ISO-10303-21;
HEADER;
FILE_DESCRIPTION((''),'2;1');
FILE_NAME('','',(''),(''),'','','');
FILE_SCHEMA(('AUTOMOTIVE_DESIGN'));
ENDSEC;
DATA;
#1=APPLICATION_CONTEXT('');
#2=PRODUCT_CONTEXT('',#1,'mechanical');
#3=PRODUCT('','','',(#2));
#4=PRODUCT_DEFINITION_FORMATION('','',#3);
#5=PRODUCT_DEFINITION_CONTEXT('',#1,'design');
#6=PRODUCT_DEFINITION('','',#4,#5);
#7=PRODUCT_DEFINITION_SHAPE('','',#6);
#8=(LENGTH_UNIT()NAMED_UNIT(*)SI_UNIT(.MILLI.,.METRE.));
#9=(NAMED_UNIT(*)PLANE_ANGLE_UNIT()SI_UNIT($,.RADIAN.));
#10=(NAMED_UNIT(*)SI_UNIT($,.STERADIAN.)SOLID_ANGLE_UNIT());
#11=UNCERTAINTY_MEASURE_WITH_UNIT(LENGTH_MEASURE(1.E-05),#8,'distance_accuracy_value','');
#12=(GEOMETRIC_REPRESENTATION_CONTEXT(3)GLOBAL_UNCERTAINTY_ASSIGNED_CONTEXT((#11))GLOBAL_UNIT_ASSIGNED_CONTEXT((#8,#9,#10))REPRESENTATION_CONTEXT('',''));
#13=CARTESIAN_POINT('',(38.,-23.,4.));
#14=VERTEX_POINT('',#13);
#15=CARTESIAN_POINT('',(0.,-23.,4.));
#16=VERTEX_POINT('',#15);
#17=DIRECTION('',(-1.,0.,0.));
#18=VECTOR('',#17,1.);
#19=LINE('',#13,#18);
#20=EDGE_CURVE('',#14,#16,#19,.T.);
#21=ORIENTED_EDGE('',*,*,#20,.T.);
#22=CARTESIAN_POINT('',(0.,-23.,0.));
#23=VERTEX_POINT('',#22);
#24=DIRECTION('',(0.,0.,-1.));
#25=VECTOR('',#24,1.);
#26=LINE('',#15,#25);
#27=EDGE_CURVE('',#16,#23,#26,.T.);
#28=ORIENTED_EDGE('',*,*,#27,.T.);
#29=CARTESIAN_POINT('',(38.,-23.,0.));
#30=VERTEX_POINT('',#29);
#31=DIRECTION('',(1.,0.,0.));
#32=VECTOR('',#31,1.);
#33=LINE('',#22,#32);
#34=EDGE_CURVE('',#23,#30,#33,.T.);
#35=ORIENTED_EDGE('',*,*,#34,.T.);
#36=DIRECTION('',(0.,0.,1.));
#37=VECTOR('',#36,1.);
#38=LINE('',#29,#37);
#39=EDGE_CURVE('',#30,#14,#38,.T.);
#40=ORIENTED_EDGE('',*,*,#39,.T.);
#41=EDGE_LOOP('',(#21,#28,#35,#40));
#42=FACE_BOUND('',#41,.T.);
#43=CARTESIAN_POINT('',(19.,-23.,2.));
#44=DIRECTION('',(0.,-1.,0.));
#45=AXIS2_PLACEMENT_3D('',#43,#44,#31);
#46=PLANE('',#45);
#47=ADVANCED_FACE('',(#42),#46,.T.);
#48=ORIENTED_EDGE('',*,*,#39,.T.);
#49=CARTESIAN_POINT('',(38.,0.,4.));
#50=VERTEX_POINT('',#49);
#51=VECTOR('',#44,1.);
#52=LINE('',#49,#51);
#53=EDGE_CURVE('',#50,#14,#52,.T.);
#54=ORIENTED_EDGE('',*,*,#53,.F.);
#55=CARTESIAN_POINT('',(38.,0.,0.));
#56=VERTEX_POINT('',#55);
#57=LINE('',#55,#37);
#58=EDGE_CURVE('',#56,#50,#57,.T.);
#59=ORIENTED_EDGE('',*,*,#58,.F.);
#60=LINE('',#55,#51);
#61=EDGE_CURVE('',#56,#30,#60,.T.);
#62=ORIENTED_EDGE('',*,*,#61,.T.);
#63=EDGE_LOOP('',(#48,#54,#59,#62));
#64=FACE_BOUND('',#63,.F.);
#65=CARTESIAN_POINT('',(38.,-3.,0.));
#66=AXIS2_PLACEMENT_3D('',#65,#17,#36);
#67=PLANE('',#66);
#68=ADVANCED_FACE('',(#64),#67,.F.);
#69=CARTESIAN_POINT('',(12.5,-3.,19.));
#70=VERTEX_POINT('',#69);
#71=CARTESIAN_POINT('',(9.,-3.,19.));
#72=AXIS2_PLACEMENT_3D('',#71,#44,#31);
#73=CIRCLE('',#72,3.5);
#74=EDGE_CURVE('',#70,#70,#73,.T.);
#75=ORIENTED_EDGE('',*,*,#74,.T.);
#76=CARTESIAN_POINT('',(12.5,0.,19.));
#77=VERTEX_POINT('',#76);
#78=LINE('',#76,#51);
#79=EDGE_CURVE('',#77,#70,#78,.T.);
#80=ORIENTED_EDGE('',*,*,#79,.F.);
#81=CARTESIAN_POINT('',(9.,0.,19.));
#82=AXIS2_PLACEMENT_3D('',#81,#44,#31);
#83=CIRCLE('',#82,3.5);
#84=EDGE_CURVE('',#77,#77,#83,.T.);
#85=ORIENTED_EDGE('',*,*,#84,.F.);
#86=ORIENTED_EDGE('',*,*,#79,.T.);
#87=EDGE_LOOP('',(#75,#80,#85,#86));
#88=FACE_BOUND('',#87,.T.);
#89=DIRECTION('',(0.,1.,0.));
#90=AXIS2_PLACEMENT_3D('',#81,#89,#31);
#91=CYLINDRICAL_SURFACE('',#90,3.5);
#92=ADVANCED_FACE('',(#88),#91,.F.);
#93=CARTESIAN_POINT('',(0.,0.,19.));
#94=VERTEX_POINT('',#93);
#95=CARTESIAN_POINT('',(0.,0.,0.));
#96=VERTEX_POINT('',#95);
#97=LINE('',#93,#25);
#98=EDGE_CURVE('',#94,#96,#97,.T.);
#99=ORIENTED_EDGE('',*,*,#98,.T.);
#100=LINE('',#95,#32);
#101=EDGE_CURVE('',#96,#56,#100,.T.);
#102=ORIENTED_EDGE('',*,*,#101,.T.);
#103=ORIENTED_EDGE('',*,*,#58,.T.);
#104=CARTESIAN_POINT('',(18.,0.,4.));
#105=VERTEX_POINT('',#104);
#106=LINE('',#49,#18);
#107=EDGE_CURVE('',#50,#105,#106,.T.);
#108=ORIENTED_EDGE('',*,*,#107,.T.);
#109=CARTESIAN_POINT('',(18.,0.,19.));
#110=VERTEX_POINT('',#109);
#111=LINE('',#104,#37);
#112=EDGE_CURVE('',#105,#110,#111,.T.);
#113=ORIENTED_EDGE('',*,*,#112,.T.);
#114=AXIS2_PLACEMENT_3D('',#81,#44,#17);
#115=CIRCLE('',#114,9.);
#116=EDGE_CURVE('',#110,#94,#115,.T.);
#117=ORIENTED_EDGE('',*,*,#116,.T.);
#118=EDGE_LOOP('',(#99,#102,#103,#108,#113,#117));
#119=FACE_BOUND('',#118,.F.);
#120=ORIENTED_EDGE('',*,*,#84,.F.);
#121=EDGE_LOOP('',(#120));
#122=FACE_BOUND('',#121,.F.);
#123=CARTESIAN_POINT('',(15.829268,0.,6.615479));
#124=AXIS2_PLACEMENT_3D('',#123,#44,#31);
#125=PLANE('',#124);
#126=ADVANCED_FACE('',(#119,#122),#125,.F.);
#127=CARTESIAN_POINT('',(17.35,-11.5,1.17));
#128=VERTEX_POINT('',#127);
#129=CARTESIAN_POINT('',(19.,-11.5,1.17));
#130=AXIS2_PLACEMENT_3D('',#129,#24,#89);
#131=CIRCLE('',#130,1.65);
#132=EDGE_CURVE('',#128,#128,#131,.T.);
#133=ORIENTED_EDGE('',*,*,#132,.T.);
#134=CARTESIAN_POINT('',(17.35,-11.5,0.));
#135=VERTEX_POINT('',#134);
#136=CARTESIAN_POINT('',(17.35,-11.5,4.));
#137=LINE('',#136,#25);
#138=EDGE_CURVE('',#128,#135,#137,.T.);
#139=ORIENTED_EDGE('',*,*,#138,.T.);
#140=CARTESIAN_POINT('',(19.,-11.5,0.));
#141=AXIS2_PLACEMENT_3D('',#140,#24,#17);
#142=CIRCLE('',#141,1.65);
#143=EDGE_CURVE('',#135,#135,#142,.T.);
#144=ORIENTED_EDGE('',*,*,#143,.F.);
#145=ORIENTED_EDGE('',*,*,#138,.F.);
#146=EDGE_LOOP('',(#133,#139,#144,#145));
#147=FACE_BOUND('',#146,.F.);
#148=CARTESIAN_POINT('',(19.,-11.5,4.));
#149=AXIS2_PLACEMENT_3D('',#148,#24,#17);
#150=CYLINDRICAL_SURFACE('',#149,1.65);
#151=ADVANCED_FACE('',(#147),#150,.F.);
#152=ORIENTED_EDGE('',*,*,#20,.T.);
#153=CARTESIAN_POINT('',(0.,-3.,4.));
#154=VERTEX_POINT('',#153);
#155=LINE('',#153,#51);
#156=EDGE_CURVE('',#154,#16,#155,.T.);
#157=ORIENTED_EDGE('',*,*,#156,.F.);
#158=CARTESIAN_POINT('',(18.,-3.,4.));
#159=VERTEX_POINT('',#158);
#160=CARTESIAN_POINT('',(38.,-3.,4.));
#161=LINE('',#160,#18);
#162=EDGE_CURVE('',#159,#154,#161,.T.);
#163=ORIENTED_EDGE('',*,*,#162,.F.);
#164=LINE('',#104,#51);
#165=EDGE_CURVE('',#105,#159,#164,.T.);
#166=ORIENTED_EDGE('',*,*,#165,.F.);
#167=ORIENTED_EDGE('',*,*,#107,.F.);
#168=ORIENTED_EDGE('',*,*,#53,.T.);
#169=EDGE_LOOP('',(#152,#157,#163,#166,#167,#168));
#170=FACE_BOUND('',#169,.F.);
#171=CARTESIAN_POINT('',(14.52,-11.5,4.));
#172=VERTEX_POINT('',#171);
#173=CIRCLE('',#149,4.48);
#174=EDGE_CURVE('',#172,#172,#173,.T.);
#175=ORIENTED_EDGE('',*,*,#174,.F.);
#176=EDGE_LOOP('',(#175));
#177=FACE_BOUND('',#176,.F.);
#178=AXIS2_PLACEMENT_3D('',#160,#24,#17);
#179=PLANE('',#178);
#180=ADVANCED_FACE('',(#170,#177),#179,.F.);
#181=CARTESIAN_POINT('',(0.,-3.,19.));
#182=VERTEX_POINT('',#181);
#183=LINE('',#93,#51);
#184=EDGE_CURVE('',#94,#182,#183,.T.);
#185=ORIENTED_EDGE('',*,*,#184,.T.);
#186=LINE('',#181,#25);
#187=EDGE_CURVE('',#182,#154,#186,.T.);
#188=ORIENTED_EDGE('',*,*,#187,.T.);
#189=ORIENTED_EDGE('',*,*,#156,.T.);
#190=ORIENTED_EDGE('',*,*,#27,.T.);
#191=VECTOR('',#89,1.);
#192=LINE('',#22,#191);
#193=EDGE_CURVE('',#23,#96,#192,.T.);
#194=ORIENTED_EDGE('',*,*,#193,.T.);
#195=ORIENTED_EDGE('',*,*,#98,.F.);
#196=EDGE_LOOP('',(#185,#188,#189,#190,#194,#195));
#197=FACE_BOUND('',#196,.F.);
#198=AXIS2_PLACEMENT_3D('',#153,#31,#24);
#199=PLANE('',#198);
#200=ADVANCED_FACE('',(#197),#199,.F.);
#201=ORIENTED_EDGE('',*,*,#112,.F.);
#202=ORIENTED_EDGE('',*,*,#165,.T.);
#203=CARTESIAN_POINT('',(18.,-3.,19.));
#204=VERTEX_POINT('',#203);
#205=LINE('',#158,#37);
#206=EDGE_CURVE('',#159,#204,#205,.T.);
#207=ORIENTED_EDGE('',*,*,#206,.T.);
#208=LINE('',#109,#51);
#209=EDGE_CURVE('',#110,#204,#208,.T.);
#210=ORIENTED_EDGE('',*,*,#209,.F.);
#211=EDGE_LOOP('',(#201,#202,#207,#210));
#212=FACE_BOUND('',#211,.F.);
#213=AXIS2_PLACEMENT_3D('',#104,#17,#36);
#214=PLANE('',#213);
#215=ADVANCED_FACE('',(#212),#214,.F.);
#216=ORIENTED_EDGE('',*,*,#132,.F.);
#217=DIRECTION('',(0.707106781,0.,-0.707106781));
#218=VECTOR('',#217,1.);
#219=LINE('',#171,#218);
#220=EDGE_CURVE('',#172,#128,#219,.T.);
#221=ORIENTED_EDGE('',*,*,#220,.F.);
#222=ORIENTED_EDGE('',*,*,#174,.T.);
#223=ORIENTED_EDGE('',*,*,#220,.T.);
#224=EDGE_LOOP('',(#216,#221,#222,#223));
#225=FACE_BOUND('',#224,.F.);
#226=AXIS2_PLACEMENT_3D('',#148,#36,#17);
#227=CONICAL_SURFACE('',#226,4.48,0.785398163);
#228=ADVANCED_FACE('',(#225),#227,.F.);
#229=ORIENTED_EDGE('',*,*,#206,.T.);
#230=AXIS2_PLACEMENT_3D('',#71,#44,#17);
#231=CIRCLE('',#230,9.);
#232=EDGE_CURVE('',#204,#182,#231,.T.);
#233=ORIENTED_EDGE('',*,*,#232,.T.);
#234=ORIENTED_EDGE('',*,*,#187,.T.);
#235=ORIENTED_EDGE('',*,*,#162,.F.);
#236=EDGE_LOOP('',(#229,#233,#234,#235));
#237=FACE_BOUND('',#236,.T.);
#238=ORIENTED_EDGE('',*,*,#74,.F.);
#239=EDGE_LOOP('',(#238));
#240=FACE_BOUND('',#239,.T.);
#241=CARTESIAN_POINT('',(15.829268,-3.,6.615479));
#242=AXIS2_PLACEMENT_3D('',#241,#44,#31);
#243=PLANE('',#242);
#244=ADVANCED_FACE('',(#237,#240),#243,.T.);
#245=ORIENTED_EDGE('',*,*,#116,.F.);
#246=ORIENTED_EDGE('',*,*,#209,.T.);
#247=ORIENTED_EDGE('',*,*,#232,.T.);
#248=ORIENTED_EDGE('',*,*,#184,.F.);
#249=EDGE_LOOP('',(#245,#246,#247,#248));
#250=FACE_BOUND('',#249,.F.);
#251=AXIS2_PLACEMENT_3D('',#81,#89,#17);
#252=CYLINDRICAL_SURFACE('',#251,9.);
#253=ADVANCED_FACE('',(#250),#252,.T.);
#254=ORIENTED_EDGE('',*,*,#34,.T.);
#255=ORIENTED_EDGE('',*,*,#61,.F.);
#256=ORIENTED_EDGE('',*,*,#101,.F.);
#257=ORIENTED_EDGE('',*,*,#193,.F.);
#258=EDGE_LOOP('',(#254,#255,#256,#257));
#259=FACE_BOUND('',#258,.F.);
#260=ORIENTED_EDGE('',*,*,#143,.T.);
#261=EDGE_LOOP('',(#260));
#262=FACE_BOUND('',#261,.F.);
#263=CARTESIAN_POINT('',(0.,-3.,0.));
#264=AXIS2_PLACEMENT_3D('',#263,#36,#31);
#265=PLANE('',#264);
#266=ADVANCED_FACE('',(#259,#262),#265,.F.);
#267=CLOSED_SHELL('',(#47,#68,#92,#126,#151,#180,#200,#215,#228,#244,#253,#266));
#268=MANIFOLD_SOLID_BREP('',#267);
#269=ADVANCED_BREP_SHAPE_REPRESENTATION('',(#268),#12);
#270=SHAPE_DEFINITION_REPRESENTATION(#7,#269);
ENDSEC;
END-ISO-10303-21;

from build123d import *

# Parameters (mm, degrees)
F0_R           = 3.5
F1_DEPTH       = 3
F3_DEPTH       = 20
F5_D           = 3.3
F5_CSINK_D     = 8.96
F5_CSINK_ANGLE = 90


with BuildPart() as f1:
    # F0 (on Front) → F1 (new body)
    with BuildSketch(Plane.XZ):
        with BuildLine():
            Line((0, 19), (0, 0))
            Line((0, 0), (38, 0))
            Line((38, 0), (38, 4))
            Line((38, 4), (18, 4))
            Line((18, 4), (18, 19))
            ThreePointArc((18, 19), (9, 10), (0, 19))
        make_face()
        with BuildLine():
            ThreePointArc((18, 19), (9, 28), (0, 19))
            ThreePointArc((0, 19), (9, 10), (18, 19))
        make_face()
        with Locations((9, 19)):
            Circle(F0_R, mode=Mode.SUBTRACT)
    extrude(amount=F1_DEPTH)

    # F2 (on face) → F3 (join)
    with BuildSketch(Plane.XZ.offset(3)):
        Polygon((0, 0), (38, 0), (38, 4), (18, 4), (0, 4), align=None)
    extrude(amount=F3_DEPTH)

    # F5 (through all)
    with Locations(Plane.XY.offset(4)):
        with Locations((19, -11.5)):
            CounterSinkHole(F5_D / 2, F5_CSINK_D / 2, counter_sink_angle=F5_CSINK_ANGLE)


solid = f1.part
